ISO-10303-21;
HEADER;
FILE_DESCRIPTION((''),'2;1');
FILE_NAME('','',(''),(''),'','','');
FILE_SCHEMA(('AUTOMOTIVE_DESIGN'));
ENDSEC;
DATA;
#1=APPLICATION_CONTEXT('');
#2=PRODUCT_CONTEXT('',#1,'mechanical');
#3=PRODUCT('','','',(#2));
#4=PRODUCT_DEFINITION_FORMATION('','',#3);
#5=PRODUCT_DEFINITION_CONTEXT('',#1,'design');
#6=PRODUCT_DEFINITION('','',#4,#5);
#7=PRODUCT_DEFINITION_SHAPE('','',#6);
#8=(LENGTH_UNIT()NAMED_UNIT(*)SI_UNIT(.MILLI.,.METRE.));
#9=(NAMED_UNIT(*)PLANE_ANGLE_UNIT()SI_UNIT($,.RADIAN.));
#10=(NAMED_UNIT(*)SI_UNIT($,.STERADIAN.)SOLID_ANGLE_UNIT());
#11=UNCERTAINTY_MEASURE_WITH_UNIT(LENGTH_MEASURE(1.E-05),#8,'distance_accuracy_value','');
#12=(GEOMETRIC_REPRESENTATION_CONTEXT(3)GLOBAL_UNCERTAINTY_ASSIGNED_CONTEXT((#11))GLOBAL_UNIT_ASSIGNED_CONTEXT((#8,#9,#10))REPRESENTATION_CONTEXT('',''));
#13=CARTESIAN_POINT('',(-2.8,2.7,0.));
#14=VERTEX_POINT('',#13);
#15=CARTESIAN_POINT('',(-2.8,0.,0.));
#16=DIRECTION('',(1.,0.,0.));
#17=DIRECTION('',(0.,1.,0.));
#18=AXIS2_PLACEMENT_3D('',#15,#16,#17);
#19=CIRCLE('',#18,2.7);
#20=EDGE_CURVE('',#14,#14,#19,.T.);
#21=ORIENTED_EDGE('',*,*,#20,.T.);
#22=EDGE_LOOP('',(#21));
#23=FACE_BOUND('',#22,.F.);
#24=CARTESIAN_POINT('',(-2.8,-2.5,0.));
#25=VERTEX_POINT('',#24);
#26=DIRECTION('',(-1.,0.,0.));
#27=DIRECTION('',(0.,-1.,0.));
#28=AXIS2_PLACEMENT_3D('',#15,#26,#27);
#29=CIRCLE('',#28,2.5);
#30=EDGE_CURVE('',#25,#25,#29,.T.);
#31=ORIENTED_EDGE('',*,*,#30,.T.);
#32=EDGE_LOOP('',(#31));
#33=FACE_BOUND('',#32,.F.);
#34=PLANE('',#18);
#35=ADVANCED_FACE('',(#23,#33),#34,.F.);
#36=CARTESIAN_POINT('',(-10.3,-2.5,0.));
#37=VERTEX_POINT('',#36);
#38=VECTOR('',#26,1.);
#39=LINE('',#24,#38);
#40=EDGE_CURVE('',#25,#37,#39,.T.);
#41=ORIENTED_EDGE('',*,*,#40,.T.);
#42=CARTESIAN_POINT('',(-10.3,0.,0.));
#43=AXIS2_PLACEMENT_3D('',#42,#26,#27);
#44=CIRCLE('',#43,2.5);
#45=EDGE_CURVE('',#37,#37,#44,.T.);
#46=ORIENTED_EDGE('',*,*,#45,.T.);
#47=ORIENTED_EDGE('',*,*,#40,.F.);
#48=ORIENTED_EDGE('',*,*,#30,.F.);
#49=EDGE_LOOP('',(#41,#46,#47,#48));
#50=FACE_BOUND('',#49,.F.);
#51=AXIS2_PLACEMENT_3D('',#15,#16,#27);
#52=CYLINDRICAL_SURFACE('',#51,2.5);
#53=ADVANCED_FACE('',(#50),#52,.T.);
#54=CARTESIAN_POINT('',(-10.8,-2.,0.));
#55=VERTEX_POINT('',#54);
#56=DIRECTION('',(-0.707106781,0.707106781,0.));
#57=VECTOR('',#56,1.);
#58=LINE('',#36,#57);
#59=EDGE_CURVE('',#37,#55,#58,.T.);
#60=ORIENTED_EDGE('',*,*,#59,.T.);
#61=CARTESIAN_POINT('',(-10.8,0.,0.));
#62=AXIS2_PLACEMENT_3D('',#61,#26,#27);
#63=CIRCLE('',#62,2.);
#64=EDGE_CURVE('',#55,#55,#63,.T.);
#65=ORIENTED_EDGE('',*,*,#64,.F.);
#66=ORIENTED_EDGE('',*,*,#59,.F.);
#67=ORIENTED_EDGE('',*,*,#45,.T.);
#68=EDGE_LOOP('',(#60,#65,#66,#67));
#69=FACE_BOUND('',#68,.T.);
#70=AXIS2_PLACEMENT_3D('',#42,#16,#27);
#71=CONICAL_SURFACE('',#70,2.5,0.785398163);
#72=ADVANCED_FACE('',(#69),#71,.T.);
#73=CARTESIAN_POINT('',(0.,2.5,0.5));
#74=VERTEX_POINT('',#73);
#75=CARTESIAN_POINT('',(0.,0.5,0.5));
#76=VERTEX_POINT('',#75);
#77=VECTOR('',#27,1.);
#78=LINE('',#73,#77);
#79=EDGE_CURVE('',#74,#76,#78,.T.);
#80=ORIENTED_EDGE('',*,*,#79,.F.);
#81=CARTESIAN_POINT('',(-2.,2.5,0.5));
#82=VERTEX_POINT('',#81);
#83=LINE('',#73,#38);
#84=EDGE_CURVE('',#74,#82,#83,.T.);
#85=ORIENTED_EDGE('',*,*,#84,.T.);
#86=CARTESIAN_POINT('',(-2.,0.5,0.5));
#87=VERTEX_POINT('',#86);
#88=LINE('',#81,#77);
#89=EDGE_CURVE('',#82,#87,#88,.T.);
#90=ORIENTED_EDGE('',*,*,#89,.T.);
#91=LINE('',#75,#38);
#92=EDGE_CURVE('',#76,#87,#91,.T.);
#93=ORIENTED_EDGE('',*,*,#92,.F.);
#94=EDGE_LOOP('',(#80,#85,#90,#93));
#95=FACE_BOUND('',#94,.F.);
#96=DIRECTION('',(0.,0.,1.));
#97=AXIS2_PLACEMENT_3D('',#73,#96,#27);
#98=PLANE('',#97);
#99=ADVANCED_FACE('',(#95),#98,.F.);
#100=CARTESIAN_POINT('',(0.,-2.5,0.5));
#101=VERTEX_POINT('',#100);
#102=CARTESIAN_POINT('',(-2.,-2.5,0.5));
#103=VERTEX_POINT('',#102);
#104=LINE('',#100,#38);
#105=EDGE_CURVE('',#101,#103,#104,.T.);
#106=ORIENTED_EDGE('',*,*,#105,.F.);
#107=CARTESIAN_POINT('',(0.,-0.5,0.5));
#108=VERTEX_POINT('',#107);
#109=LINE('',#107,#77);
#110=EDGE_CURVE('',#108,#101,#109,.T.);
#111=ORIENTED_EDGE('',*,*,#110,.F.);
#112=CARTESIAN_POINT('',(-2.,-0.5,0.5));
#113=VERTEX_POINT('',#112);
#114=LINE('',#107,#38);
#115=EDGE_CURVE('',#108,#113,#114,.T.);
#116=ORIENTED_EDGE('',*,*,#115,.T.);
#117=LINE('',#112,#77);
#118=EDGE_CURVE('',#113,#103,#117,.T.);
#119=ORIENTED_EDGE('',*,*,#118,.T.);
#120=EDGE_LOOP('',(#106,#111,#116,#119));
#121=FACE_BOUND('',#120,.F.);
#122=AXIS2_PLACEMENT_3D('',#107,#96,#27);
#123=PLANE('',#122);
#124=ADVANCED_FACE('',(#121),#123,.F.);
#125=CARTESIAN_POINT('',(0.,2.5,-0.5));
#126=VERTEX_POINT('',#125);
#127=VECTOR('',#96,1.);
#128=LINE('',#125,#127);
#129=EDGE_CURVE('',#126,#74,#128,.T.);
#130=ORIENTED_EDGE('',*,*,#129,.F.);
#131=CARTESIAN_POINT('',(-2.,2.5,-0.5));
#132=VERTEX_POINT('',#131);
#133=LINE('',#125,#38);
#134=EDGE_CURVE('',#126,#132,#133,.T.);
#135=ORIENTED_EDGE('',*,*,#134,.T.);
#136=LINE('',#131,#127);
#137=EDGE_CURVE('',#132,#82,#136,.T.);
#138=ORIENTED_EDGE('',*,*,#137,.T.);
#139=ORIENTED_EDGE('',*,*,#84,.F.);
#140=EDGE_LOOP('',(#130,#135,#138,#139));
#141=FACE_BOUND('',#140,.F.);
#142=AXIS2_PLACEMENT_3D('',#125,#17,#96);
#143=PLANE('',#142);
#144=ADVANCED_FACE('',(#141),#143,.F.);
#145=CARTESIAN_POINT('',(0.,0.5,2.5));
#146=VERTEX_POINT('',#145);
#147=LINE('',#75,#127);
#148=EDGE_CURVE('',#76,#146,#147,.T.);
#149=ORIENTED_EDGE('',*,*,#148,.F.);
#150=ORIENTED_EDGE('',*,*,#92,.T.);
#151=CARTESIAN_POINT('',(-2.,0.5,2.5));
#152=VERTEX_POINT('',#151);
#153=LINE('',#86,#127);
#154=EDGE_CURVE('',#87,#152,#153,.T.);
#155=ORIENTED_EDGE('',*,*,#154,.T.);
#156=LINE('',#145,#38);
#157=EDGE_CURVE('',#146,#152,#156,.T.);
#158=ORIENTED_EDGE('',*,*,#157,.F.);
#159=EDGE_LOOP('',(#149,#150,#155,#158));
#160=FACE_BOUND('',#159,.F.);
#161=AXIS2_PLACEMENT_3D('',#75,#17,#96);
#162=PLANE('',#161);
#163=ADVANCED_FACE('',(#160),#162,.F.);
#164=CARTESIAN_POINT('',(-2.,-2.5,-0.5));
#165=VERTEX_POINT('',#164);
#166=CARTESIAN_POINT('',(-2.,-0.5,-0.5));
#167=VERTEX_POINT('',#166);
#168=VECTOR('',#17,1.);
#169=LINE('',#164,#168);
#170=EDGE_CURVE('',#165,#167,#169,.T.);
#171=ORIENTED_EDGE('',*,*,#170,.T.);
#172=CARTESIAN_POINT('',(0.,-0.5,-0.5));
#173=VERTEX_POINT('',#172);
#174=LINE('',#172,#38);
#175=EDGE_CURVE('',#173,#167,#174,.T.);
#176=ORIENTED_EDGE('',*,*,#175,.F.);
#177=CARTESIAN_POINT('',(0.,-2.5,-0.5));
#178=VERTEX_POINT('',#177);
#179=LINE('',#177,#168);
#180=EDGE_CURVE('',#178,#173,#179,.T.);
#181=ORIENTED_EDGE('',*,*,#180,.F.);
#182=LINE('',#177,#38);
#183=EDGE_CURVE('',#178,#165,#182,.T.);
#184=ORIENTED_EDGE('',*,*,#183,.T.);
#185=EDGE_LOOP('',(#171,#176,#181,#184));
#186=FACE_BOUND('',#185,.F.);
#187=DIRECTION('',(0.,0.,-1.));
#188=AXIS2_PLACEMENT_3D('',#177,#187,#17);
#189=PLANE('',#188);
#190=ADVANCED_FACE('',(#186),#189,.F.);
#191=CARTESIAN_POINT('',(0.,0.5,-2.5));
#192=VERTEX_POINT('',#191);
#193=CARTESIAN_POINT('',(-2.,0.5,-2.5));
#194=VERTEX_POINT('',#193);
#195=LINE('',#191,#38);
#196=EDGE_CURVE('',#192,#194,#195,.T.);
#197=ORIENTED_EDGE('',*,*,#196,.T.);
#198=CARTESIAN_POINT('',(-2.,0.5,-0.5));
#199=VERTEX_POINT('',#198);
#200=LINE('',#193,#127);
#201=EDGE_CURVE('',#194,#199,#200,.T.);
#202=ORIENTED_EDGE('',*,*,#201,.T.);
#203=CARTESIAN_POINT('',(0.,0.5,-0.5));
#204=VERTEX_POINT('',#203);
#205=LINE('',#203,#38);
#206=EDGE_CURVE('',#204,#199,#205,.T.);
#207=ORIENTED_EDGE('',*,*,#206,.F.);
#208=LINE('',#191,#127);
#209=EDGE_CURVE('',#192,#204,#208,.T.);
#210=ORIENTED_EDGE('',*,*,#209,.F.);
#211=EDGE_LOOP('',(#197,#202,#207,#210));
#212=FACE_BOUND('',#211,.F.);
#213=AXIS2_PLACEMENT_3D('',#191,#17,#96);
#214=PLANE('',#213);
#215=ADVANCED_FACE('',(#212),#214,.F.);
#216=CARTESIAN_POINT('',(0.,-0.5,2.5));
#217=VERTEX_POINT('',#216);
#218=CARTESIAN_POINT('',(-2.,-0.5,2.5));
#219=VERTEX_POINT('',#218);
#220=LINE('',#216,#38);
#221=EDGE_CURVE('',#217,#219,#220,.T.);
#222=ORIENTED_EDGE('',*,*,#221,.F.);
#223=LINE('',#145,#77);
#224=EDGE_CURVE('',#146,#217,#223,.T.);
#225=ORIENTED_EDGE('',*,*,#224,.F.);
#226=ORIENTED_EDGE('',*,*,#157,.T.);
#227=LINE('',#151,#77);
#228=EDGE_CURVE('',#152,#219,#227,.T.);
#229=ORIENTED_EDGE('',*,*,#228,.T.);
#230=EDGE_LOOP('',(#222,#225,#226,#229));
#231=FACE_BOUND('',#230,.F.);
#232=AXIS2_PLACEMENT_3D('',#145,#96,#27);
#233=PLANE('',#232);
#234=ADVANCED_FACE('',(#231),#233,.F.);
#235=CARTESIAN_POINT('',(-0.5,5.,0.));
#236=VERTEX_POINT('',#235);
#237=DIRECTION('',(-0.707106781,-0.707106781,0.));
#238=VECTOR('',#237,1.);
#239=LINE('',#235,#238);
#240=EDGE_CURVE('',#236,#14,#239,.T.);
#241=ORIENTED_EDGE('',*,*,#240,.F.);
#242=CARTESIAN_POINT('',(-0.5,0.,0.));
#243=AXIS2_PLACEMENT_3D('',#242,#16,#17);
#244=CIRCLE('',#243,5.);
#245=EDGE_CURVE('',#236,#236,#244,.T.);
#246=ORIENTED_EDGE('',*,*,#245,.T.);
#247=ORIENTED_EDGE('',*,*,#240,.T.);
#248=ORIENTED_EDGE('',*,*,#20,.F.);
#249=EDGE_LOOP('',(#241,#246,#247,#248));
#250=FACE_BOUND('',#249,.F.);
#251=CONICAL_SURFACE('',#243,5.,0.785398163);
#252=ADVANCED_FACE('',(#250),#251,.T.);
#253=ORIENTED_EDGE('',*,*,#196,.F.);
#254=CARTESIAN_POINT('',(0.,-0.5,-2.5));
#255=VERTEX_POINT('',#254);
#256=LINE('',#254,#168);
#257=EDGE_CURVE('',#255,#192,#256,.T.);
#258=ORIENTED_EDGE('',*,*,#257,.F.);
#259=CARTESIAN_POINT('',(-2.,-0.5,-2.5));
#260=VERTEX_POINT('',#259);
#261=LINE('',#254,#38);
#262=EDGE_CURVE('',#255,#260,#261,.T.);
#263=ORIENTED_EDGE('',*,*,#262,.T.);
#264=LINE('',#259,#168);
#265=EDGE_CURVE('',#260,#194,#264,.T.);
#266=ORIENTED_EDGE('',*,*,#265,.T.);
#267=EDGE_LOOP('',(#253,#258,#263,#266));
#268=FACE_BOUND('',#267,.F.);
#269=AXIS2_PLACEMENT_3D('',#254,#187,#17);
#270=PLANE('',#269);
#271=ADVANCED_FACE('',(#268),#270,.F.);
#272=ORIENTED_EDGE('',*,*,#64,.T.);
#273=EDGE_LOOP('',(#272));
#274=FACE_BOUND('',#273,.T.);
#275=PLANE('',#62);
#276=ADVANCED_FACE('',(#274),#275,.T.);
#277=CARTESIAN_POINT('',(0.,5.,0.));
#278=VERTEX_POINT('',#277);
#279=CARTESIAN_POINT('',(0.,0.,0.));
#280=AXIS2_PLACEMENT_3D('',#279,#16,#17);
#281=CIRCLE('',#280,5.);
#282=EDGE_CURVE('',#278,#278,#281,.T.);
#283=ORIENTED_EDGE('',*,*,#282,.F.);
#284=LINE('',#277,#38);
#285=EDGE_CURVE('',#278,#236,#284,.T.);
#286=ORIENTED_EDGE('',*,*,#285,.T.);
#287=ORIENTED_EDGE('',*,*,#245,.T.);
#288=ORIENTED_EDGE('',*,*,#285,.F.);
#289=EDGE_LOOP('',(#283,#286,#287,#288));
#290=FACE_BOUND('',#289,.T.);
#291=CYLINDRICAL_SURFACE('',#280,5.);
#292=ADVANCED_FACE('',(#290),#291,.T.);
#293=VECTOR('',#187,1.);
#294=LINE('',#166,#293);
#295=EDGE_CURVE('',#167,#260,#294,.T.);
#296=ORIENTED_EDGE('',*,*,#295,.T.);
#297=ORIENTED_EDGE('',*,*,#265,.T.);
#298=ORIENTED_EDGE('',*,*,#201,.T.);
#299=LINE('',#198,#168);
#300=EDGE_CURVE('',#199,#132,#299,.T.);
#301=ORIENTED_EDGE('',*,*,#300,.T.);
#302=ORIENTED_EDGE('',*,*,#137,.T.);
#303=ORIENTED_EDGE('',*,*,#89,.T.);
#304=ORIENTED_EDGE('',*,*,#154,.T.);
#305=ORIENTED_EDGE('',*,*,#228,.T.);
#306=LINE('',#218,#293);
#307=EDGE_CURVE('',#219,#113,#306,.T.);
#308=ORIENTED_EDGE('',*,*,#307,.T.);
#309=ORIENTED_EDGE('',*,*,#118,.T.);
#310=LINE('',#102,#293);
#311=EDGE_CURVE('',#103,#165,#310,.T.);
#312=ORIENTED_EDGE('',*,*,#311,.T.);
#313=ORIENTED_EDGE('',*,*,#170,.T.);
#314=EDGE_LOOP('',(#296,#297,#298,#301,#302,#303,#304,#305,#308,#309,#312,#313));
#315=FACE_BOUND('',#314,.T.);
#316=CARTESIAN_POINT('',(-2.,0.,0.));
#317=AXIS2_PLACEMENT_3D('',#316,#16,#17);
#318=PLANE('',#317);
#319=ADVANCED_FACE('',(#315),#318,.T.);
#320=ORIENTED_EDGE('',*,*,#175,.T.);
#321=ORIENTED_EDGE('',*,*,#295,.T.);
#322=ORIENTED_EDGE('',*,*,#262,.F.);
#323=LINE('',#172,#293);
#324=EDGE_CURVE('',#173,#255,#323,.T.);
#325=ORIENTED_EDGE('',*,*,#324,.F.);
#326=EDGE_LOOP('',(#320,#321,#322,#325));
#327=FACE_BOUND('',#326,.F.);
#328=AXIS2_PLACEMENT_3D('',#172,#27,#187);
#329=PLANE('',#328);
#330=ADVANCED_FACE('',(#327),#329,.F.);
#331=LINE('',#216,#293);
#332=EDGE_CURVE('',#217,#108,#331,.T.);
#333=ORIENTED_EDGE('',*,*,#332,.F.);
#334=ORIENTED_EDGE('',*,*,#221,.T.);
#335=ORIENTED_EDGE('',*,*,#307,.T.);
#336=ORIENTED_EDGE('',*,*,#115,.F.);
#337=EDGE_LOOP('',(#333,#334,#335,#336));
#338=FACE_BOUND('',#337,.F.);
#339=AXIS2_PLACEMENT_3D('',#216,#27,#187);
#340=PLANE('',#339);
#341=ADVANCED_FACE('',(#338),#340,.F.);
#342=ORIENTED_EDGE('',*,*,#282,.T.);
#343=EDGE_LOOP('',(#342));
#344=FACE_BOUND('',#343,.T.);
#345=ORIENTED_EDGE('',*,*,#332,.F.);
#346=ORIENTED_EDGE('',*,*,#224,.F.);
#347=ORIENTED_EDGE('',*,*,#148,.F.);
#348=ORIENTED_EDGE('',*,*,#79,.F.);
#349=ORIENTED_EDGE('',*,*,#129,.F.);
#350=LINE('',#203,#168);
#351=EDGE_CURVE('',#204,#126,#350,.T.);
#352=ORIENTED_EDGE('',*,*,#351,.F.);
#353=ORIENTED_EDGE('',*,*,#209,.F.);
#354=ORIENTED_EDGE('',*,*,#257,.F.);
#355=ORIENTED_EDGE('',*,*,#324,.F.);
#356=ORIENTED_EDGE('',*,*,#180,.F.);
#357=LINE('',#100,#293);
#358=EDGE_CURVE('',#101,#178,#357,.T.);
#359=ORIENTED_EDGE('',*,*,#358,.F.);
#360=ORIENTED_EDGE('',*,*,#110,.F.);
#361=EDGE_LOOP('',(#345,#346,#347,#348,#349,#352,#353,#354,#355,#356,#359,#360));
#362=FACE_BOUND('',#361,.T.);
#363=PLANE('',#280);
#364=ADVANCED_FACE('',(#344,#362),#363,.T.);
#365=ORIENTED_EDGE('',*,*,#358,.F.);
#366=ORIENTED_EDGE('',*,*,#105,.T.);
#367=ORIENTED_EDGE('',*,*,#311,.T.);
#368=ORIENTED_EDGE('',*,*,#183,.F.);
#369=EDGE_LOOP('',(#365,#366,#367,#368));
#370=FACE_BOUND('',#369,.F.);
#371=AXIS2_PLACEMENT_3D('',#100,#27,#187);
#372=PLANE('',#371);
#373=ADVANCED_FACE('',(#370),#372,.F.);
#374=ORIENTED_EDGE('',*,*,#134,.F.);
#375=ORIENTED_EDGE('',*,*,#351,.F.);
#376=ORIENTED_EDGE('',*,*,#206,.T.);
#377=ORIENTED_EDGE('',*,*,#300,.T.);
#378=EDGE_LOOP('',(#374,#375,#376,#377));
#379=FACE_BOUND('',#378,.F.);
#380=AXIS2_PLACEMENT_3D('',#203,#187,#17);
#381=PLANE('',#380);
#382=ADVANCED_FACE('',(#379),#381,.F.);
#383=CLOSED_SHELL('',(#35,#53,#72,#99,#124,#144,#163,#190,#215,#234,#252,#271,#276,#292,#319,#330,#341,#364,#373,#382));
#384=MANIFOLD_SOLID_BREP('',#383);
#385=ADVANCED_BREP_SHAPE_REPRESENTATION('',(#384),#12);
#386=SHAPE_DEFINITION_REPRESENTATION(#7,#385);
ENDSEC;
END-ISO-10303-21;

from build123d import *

# Parameters (mm, degrees)
F0_R     = 5
F1_DEPTH = 2.8
F2_R     = 2.5
F3_DEPTH = 8
F4_SIZE  = 2.3
F5_SIZE  = 0.5
F7_DEPTH = 2


with BuildPart() as f1:
    # F0 (on Right) → F1 (new body)
    with BuildSketch(Plane.YZ):
        Circle(F0_R)
    extrude(amount=-F1_DEPTH)

    # F2 (on face) → F3 (join)
    with BuildSketch(Plane(origin=(-2.8, 0, 0), x_dir=(0, -1, 0), z_dir=(-1, 0, 0))):
        Circle(F2_R)
    extrude(amount=F3_DEPTH)

    # F4
    f4_edges = [f1.edges().sort_by_distance(p)[0] for p in [
        (-2.8, -5, 0),
    ]]
    chamfer(f4_edges, length=F4_SIZE)

    # F5
    f5_edges = [f1.edges().sort_by_distance(p)[0] for p in [
        (-10.8, 2.5, 0),
    ]]
    chamfer(f5_edges, length=F5_SIZE)

    # F6 (on face) → F7 (cut)
    with BuildSketch(Plane.YZ):
        Polygon((0.5, 2.5), (0, 2.5), (-0.5, 2.5), (-0.5, 0.5), (-2.5, 0.5), (-2.5, 0), (-2.5, -0.5), (-0.5, -0.5), (-0.5, -2.5), (0, -2.5), (0.5, -2.5), (0.5, -0.5), (2.5, -0.5), (2.5, 0), (2.5, 0.5), (0.5, 0.5), align=None)
    extrude(amount=-F7_DEPTH, mode=Mode.SUBTRACT)


solid = f1.part
